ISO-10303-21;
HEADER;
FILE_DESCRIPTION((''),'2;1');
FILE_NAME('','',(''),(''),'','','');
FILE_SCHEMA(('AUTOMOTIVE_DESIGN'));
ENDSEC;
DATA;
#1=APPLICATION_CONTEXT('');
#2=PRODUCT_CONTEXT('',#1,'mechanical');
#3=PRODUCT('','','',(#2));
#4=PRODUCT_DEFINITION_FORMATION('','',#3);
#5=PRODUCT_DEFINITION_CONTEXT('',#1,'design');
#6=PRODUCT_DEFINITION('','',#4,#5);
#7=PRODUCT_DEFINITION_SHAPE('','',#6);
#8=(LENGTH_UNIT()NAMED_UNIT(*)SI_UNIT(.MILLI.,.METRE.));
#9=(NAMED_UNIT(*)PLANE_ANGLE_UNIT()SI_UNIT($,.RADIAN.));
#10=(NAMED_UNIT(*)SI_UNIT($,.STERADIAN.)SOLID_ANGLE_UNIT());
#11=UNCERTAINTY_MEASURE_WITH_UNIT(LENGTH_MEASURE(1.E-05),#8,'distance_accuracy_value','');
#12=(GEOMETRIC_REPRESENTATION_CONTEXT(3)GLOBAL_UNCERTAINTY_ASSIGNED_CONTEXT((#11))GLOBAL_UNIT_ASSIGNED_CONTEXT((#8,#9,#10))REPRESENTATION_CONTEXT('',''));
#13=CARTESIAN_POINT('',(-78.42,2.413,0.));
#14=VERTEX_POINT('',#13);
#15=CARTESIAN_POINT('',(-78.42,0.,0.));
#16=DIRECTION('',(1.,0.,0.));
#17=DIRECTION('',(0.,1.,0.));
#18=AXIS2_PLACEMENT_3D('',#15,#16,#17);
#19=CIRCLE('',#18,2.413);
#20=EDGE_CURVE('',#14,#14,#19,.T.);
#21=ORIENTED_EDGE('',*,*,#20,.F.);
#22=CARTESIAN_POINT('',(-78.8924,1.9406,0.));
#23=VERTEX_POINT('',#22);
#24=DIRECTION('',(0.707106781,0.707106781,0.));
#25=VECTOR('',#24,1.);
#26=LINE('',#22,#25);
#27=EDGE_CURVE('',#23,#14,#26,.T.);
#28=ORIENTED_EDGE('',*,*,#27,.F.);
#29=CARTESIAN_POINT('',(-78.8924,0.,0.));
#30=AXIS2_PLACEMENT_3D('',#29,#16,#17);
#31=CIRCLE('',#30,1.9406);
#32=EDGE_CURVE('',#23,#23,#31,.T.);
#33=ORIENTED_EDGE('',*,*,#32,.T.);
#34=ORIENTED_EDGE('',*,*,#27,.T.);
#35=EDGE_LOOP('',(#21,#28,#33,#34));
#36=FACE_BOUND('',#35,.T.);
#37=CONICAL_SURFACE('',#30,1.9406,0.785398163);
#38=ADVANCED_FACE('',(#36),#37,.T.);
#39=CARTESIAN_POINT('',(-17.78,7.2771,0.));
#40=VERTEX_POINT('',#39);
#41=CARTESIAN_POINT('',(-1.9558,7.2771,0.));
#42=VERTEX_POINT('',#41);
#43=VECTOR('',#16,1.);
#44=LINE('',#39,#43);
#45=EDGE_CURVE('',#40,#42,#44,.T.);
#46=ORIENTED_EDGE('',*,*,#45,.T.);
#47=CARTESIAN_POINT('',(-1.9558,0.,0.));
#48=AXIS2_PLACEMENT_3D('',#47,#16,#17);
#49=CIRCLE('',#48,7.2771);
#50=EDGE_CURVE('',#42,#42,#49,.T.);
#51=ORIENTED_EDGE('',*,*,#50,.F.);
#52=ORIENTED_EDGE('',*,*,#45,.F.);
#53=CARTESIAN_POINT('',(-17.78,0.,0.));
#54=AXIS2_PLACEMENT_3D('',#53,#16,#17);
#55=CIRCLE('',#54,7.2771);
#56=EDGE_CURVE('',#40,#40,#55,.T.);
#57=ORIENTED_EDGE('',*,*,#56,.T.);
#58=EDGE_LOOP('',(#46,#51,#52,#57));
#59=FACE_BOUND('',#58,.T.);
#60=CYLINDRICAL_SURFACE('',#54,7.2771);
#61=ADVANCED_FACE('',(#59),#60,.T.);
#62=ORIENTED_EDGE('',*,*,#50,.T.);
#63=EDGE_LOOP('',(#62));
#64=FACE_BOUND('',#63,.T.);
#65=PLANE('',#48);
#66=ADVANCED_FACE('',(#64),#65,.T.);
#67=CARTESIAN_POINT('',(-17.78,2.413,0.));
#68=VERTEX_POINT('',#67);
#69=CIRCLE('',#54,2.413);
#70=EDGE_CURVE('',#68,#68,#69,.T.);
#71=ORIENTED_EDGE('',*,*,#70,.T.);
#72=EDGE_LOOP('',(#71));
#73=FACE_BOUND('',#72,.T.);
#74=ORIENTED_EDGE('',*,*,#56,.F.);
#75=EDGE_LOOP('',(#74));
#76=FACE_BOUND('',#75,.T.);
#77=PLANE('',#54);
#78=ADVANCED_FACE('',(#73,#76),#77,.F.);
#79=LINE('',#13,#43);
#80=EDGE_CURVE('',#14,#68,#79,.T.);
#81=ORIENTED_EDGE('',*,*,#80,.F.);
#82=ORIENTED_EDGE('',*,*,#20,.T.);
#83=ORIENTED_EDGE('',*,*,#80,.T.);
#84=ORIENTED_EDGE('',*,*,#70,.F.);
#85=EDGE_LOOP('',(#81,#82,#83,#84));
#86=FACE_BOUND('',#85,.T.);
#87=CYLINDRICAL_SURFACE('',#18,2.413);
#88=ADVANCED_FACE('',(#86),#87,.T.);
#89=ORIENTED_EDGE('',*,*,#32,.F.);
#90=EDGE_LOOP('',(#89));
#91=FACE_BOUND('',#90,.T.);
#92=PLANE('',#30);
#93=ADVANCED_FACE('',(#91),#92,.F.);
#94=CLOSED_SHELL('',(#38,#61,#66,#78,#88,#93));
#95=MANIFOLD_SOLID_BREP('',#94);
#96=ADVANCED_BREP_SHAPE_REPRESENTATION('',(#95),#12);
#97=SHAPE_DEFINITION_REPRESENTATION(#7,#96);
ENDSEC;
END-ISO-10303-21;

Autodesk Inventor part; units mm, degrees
sketch "Sketch_5" plane through (0, 0, 0) normal (0, 0, 1) x (1, 0, 0)
  line L0 (-9.525, 0) -> (-78.8924, 0)
  line L1 (-78.8924, 0) -> (-78.8924, 1.9406)
  line L2 (-78.8924, 1.9406) -> (-78.42, 2.413)
  line L3 (-78.42, 2.413) -> (-9.525, 2.413)
  line L4 (-9.525, 2.413) -> (-9.525, 0)
  line L5 (-9.525, 0) -> (-78.8924, 0)
revolve "Revolution1" add sketch "Sketch_5" angle 360 about axis through (-9.525, 0, 0) along (1, 0, 0)
sketch "Sketch_14" plane through (0, 0, 0) normal (0, 0, 1) x (1, 0, 0)
  line L0 (-1.9558, 0) -> (-17.78, 0)
  line L1 (-17.78, 0) -> (-17.78, 7.2771)
  line L2 (-17.78, 7.2771) -> (-1.9558, 7.2771)
  line L3 (-1.9558, 7.2771) -> (-1.9558, 0)
  line L4 (-1.9558, 0) -> (-17.78, 0)
revolve "Revolution2" add sketch "Sketch_14" angle 360 about axis through (-1.9558, 0, 0) along (1, 0, 0)
ref_plane "h1_XY" through (-78.8924, 0, 0) normal (0, 1, 0) x (1, 0, 0)
ref_plane "h1_YZ" through (-78.8924, 0, 0) normal (1, 0, 0) x (0, 0, -1)
ref_plane "h1_ZX" through (-78.8924, 0, 0) normal (0, 0, -1) x (0, 1, 0)
ref_plane "h2_XY" through (-78.8924, 0, 0) normal (0, 1, 0) x (1, 0, 0)
ref_plane "h2_YZ" through (-78.8924, 0, 0) normal (1, 0, 0) x (0, 0, -1)
ref_plane "h2_ZX" through (-78.8924, 0, 0) normal (0, 0, -1) x (0, 1, 0)
ref_plane "k1_XY" through (-78.8924, 0, -2.413) normal (0, 1, 0) x (1, 0, 0)
ref_plane "k1_YZ" through (-78.8924, 0, -2.413) normal (1, 0, 0) x (0, 0, -1)
ref_plane "k1_ZX" through (-78.8924, 0, -2.413) normal (0, 0, -1) x (0, 1, 0)
ref_plane "k2_XY" through (-78.8924, 0, 2.413) normal (0, 1, 0) x (1, 0, 0)
ref_plane "k2_YZ" through (-78.8924, 0, 2.413) normal (1, 0, 0) x (0, 0, -1)
ref_plane "k2_ZX" through (-78.8924, 0, 2.413) normal (0, 0, -1) x (0, 1, 0)
ref_plane "start_XY" through (-66.1924, 0, 0) normal (0, 1, 0) x (1, 0, 0)
ref_plane "start_YZ" through (-66.1924, 0, 0) normal (1, 0, 0) x (0, 0, -1)
ref_plane "start_ZX" through (-66.1924, 0, 0) normal (0, 0, -1) x (0, 1, 0)
ref_plane "to_prc_XY" through (-78.8924, 0, 0) normal (1, 0, 0) x (0, 0, -1)
ref_plane "to_prc_YZ" through (-78.8924, 0, 0) normal (0, 0, -1) x (0, 1, 0)
ref_plane "to_prc_ZX" through (-78.8924, 0, 0) normal (0, 1, 0) x (1, 0, 0)
ref_plane "to_rod_guide_XY" through (-78.8924, 0, 0) normal (1, 0, 0) x (0, 0, -1)
ref_plane "to_rod_guide_YZ" through (-78.8924, 0, 0) normal (0, 0, -1) x (0, 1, 0)
ref_plane "to_rod_guide_ZX" through (-78.8924, 0, 0) normal (0, 1, 0) x (1, 0, 0)
properties part number "D-95381.25-0.25XP-3.106-3pos" material "Steel"
